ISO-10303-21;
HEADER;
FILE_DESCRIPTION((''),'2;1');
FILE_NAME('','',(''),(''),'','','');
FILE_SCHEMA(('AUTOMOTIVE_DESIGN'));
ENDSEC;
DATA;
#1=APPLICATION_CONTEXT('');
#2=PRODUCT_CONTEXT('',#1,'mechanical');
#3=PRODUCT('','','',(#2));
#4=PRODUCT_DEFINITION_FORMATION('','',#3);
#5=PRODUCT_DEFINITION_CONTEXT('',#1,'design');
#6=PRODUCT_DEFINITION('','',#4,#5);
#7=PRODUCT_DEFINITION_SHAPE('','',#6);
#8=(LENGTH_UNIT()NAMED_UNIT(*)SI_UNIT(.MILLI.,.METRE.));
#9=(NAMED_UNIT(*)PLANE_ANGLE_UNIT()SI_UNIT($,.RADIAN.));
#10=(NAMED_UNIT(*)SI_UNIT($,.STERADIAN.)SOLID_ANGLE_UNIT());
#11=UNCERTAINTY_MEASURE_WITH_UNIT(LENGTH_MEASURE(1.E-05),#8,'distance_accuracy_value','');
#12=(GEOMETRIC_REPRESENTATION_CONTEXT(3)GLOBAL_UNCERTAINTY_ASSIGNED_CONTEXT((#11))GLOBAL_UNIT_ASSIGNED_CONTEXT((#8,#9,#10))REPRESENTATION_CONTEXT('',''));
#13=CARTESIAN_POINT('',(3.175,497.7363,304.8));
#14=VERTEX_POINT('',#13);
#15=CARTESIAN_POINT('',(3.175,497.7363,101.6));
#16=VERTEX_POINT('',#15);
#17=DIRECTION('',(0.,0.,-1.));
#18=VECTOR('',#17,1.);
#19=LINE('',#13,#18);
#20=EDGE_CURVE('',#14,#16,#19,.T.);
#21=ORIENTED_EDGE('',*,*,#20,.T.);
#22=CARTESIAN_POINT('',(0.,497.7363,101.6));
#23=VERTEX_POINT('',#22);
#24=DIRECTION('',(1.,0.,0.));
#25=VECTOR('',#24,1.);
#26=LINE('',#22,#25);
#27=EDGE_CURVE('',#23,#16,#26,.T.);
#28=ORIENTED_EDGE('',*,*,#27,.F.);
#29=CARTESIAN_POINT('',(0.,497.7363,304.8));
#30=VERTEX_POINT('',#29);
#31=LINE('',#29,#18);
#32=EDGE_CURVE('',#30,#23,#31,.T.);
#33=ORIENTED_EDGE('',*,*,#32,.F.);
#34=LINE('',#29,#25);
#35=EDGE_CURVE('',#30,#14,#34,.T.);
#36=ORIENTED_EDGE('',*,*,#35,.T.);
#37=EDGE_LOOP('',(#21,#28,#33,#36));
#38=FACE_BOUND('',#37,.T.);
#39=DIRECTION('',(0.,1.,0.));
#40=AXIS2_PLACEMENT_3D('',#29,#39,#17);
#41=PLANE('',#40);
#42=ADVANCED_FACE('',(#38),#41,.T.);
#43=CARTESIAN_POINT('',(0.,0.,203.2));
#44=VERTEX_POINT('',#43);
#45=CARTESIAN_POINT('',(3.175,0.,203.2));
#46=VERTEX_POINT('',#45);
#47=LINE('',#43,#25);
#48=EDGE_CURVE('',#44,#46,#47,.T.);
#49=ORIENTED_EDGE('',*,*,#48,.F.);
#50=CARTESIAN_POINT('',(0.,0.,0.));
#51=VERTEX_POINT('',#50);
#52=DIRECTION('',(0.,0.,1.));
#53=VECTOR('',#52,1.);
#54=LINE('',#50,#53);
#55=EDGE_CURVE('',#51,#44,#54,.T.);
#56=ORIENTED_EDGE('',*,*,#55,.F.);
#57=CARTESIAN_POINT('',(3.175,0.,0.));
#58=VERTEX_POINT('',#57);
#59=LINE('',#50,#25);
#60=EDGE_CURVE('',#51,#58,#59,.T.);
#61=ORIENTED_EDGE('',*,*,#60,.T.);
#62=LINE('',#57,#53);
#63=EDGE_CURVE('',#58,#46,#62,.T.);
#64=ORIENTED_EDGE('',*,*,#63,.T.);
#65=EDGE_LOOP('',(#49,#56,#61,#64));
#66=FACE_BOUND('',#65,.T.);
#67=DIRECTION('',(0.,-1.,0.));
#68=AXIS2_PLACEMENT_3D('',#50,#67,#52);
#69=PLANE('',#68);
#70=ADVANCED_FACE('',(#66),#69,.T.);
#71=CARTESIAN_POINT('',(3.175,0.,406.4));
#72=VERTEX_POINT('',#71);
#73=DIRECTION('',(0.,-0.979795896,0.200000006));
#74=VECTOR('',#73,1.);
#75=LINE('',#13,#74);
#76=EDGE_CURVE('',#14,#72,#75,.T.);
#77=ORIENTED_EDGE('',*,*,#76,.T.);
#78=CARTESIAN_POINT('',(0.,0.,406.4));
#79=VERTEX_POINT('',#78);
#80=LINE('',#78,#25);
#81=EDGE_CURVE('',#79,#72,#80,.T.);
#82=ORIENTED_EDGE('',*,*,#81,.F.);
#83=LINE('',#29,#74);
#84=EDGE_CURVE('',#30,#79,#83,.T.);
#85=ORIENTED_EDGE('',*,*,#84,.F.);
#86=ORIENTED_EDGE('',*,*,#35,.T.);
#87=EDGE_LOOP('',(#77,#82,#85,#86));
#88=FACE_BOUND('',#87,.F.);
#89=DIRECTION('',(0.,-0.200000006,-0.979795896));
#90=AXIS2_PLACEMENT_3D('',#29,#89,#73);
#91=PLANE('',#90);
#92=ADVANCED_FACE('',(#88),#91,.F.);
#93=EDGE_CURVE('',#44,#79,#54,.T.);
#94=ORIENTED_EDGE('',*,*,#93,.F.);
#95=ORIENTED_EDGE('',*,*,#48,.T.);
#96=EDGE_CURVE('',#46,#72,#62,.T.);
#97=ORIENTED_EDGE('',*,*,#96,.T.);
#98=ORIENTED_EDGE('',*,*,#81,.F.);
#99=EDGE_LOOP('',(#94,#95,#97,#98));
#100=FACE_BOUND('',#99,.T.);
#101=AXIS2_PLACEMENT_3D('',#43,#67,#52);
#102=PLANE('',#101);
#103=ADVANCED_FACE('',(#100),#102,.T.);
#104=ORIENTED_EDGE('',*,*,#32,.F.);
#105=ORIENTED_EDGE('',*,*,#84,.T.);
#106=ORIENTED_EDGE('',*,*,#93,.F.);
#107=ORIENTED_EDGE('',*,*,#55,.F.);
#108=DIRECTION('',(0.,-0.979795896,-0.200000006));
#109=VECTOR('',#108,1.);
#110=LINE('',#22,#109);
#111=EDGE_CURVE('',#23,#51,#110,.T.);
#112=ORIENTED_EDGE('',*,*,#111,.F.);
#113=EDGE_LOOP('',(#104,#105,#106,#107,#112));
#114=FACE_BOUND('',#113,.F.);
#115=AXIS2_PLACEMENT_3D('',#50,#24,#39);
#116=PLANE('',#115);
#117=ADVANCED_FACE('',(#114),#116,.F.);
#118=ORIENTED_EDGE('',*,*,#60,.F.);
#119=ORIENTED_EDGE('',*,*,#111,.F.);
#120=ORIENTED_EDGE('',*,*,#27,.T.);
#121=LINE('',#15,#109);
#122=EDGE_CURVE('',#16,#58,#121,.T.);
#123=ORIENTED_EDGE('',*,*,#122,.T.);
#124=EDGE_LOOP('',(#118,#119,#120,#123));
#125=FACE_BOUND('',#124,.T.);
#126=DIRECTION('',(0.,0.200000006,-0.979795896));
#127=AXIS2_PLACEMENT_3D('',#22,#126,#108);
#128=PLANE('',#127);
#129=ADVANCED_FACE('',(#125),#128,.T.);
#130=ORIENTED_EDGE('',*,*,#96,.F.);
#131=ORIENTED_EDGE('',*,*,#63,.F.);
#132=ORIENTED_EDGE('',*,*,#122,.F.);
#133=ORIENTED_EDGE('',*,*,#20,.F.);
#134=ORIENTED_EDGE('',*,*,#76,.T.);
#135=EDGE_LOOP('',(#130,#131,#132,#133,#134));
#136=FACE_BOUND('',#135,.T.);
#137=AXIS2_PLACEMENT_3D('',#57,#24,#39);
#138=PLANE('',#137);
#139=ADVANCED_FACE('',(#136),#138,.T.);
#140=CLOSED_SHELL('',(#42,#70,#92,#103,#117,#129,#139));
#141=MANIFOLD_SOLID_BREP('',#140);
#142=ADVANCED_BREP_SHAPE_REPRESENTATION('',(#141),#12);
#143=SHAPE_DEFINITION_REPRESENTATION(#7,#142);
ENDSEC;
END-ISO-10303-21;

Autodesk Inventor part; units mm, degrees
ref_plane "YZ Plane" through (0, 0, 0) normal (1, 0, 0) x (0, 1, 0)
ref_plane "XZ Plane" through (0, 0, 0) normal (0, 1, 0) x (-1, 0, 0)
ref_plane "XY Plane" through (0, 0, 0) normal (0, 0, 1) x (1, 0, 0)
sketch "Sketch1" plane through (0, 0, 0) normal (1, 0, 0) x (0, 1, 0)
  line L0 (0, 0) -> (0, 406.4)
  line L1 (0, 0) -> (0, 203.2)
  line L2 (0, 203.2) -> (457.2, 203.2) construction
  line L3 (497.7363, 304.8) -> (497.7363, 101.6)
  line L4 (497.7363, 304.8) -> (0, 406.4)
  line L5 (497.7363, 101.6) -> (0, 0)
  dimension "d0" = 406.4
  dimension "d4" = 203.2
  dimension "d5" = 203.2
  dimension "d11" = 101.6
  dimension "d12" = 101.6
  dimension "d14" = 508
  dimension "d15" = 497.7363
extrude "Extrusion1" add sketch "Sketch1" along normal blind 3.175
properties part number "Polycarb Front Pannel" material "Polycarbonate, Clear"
